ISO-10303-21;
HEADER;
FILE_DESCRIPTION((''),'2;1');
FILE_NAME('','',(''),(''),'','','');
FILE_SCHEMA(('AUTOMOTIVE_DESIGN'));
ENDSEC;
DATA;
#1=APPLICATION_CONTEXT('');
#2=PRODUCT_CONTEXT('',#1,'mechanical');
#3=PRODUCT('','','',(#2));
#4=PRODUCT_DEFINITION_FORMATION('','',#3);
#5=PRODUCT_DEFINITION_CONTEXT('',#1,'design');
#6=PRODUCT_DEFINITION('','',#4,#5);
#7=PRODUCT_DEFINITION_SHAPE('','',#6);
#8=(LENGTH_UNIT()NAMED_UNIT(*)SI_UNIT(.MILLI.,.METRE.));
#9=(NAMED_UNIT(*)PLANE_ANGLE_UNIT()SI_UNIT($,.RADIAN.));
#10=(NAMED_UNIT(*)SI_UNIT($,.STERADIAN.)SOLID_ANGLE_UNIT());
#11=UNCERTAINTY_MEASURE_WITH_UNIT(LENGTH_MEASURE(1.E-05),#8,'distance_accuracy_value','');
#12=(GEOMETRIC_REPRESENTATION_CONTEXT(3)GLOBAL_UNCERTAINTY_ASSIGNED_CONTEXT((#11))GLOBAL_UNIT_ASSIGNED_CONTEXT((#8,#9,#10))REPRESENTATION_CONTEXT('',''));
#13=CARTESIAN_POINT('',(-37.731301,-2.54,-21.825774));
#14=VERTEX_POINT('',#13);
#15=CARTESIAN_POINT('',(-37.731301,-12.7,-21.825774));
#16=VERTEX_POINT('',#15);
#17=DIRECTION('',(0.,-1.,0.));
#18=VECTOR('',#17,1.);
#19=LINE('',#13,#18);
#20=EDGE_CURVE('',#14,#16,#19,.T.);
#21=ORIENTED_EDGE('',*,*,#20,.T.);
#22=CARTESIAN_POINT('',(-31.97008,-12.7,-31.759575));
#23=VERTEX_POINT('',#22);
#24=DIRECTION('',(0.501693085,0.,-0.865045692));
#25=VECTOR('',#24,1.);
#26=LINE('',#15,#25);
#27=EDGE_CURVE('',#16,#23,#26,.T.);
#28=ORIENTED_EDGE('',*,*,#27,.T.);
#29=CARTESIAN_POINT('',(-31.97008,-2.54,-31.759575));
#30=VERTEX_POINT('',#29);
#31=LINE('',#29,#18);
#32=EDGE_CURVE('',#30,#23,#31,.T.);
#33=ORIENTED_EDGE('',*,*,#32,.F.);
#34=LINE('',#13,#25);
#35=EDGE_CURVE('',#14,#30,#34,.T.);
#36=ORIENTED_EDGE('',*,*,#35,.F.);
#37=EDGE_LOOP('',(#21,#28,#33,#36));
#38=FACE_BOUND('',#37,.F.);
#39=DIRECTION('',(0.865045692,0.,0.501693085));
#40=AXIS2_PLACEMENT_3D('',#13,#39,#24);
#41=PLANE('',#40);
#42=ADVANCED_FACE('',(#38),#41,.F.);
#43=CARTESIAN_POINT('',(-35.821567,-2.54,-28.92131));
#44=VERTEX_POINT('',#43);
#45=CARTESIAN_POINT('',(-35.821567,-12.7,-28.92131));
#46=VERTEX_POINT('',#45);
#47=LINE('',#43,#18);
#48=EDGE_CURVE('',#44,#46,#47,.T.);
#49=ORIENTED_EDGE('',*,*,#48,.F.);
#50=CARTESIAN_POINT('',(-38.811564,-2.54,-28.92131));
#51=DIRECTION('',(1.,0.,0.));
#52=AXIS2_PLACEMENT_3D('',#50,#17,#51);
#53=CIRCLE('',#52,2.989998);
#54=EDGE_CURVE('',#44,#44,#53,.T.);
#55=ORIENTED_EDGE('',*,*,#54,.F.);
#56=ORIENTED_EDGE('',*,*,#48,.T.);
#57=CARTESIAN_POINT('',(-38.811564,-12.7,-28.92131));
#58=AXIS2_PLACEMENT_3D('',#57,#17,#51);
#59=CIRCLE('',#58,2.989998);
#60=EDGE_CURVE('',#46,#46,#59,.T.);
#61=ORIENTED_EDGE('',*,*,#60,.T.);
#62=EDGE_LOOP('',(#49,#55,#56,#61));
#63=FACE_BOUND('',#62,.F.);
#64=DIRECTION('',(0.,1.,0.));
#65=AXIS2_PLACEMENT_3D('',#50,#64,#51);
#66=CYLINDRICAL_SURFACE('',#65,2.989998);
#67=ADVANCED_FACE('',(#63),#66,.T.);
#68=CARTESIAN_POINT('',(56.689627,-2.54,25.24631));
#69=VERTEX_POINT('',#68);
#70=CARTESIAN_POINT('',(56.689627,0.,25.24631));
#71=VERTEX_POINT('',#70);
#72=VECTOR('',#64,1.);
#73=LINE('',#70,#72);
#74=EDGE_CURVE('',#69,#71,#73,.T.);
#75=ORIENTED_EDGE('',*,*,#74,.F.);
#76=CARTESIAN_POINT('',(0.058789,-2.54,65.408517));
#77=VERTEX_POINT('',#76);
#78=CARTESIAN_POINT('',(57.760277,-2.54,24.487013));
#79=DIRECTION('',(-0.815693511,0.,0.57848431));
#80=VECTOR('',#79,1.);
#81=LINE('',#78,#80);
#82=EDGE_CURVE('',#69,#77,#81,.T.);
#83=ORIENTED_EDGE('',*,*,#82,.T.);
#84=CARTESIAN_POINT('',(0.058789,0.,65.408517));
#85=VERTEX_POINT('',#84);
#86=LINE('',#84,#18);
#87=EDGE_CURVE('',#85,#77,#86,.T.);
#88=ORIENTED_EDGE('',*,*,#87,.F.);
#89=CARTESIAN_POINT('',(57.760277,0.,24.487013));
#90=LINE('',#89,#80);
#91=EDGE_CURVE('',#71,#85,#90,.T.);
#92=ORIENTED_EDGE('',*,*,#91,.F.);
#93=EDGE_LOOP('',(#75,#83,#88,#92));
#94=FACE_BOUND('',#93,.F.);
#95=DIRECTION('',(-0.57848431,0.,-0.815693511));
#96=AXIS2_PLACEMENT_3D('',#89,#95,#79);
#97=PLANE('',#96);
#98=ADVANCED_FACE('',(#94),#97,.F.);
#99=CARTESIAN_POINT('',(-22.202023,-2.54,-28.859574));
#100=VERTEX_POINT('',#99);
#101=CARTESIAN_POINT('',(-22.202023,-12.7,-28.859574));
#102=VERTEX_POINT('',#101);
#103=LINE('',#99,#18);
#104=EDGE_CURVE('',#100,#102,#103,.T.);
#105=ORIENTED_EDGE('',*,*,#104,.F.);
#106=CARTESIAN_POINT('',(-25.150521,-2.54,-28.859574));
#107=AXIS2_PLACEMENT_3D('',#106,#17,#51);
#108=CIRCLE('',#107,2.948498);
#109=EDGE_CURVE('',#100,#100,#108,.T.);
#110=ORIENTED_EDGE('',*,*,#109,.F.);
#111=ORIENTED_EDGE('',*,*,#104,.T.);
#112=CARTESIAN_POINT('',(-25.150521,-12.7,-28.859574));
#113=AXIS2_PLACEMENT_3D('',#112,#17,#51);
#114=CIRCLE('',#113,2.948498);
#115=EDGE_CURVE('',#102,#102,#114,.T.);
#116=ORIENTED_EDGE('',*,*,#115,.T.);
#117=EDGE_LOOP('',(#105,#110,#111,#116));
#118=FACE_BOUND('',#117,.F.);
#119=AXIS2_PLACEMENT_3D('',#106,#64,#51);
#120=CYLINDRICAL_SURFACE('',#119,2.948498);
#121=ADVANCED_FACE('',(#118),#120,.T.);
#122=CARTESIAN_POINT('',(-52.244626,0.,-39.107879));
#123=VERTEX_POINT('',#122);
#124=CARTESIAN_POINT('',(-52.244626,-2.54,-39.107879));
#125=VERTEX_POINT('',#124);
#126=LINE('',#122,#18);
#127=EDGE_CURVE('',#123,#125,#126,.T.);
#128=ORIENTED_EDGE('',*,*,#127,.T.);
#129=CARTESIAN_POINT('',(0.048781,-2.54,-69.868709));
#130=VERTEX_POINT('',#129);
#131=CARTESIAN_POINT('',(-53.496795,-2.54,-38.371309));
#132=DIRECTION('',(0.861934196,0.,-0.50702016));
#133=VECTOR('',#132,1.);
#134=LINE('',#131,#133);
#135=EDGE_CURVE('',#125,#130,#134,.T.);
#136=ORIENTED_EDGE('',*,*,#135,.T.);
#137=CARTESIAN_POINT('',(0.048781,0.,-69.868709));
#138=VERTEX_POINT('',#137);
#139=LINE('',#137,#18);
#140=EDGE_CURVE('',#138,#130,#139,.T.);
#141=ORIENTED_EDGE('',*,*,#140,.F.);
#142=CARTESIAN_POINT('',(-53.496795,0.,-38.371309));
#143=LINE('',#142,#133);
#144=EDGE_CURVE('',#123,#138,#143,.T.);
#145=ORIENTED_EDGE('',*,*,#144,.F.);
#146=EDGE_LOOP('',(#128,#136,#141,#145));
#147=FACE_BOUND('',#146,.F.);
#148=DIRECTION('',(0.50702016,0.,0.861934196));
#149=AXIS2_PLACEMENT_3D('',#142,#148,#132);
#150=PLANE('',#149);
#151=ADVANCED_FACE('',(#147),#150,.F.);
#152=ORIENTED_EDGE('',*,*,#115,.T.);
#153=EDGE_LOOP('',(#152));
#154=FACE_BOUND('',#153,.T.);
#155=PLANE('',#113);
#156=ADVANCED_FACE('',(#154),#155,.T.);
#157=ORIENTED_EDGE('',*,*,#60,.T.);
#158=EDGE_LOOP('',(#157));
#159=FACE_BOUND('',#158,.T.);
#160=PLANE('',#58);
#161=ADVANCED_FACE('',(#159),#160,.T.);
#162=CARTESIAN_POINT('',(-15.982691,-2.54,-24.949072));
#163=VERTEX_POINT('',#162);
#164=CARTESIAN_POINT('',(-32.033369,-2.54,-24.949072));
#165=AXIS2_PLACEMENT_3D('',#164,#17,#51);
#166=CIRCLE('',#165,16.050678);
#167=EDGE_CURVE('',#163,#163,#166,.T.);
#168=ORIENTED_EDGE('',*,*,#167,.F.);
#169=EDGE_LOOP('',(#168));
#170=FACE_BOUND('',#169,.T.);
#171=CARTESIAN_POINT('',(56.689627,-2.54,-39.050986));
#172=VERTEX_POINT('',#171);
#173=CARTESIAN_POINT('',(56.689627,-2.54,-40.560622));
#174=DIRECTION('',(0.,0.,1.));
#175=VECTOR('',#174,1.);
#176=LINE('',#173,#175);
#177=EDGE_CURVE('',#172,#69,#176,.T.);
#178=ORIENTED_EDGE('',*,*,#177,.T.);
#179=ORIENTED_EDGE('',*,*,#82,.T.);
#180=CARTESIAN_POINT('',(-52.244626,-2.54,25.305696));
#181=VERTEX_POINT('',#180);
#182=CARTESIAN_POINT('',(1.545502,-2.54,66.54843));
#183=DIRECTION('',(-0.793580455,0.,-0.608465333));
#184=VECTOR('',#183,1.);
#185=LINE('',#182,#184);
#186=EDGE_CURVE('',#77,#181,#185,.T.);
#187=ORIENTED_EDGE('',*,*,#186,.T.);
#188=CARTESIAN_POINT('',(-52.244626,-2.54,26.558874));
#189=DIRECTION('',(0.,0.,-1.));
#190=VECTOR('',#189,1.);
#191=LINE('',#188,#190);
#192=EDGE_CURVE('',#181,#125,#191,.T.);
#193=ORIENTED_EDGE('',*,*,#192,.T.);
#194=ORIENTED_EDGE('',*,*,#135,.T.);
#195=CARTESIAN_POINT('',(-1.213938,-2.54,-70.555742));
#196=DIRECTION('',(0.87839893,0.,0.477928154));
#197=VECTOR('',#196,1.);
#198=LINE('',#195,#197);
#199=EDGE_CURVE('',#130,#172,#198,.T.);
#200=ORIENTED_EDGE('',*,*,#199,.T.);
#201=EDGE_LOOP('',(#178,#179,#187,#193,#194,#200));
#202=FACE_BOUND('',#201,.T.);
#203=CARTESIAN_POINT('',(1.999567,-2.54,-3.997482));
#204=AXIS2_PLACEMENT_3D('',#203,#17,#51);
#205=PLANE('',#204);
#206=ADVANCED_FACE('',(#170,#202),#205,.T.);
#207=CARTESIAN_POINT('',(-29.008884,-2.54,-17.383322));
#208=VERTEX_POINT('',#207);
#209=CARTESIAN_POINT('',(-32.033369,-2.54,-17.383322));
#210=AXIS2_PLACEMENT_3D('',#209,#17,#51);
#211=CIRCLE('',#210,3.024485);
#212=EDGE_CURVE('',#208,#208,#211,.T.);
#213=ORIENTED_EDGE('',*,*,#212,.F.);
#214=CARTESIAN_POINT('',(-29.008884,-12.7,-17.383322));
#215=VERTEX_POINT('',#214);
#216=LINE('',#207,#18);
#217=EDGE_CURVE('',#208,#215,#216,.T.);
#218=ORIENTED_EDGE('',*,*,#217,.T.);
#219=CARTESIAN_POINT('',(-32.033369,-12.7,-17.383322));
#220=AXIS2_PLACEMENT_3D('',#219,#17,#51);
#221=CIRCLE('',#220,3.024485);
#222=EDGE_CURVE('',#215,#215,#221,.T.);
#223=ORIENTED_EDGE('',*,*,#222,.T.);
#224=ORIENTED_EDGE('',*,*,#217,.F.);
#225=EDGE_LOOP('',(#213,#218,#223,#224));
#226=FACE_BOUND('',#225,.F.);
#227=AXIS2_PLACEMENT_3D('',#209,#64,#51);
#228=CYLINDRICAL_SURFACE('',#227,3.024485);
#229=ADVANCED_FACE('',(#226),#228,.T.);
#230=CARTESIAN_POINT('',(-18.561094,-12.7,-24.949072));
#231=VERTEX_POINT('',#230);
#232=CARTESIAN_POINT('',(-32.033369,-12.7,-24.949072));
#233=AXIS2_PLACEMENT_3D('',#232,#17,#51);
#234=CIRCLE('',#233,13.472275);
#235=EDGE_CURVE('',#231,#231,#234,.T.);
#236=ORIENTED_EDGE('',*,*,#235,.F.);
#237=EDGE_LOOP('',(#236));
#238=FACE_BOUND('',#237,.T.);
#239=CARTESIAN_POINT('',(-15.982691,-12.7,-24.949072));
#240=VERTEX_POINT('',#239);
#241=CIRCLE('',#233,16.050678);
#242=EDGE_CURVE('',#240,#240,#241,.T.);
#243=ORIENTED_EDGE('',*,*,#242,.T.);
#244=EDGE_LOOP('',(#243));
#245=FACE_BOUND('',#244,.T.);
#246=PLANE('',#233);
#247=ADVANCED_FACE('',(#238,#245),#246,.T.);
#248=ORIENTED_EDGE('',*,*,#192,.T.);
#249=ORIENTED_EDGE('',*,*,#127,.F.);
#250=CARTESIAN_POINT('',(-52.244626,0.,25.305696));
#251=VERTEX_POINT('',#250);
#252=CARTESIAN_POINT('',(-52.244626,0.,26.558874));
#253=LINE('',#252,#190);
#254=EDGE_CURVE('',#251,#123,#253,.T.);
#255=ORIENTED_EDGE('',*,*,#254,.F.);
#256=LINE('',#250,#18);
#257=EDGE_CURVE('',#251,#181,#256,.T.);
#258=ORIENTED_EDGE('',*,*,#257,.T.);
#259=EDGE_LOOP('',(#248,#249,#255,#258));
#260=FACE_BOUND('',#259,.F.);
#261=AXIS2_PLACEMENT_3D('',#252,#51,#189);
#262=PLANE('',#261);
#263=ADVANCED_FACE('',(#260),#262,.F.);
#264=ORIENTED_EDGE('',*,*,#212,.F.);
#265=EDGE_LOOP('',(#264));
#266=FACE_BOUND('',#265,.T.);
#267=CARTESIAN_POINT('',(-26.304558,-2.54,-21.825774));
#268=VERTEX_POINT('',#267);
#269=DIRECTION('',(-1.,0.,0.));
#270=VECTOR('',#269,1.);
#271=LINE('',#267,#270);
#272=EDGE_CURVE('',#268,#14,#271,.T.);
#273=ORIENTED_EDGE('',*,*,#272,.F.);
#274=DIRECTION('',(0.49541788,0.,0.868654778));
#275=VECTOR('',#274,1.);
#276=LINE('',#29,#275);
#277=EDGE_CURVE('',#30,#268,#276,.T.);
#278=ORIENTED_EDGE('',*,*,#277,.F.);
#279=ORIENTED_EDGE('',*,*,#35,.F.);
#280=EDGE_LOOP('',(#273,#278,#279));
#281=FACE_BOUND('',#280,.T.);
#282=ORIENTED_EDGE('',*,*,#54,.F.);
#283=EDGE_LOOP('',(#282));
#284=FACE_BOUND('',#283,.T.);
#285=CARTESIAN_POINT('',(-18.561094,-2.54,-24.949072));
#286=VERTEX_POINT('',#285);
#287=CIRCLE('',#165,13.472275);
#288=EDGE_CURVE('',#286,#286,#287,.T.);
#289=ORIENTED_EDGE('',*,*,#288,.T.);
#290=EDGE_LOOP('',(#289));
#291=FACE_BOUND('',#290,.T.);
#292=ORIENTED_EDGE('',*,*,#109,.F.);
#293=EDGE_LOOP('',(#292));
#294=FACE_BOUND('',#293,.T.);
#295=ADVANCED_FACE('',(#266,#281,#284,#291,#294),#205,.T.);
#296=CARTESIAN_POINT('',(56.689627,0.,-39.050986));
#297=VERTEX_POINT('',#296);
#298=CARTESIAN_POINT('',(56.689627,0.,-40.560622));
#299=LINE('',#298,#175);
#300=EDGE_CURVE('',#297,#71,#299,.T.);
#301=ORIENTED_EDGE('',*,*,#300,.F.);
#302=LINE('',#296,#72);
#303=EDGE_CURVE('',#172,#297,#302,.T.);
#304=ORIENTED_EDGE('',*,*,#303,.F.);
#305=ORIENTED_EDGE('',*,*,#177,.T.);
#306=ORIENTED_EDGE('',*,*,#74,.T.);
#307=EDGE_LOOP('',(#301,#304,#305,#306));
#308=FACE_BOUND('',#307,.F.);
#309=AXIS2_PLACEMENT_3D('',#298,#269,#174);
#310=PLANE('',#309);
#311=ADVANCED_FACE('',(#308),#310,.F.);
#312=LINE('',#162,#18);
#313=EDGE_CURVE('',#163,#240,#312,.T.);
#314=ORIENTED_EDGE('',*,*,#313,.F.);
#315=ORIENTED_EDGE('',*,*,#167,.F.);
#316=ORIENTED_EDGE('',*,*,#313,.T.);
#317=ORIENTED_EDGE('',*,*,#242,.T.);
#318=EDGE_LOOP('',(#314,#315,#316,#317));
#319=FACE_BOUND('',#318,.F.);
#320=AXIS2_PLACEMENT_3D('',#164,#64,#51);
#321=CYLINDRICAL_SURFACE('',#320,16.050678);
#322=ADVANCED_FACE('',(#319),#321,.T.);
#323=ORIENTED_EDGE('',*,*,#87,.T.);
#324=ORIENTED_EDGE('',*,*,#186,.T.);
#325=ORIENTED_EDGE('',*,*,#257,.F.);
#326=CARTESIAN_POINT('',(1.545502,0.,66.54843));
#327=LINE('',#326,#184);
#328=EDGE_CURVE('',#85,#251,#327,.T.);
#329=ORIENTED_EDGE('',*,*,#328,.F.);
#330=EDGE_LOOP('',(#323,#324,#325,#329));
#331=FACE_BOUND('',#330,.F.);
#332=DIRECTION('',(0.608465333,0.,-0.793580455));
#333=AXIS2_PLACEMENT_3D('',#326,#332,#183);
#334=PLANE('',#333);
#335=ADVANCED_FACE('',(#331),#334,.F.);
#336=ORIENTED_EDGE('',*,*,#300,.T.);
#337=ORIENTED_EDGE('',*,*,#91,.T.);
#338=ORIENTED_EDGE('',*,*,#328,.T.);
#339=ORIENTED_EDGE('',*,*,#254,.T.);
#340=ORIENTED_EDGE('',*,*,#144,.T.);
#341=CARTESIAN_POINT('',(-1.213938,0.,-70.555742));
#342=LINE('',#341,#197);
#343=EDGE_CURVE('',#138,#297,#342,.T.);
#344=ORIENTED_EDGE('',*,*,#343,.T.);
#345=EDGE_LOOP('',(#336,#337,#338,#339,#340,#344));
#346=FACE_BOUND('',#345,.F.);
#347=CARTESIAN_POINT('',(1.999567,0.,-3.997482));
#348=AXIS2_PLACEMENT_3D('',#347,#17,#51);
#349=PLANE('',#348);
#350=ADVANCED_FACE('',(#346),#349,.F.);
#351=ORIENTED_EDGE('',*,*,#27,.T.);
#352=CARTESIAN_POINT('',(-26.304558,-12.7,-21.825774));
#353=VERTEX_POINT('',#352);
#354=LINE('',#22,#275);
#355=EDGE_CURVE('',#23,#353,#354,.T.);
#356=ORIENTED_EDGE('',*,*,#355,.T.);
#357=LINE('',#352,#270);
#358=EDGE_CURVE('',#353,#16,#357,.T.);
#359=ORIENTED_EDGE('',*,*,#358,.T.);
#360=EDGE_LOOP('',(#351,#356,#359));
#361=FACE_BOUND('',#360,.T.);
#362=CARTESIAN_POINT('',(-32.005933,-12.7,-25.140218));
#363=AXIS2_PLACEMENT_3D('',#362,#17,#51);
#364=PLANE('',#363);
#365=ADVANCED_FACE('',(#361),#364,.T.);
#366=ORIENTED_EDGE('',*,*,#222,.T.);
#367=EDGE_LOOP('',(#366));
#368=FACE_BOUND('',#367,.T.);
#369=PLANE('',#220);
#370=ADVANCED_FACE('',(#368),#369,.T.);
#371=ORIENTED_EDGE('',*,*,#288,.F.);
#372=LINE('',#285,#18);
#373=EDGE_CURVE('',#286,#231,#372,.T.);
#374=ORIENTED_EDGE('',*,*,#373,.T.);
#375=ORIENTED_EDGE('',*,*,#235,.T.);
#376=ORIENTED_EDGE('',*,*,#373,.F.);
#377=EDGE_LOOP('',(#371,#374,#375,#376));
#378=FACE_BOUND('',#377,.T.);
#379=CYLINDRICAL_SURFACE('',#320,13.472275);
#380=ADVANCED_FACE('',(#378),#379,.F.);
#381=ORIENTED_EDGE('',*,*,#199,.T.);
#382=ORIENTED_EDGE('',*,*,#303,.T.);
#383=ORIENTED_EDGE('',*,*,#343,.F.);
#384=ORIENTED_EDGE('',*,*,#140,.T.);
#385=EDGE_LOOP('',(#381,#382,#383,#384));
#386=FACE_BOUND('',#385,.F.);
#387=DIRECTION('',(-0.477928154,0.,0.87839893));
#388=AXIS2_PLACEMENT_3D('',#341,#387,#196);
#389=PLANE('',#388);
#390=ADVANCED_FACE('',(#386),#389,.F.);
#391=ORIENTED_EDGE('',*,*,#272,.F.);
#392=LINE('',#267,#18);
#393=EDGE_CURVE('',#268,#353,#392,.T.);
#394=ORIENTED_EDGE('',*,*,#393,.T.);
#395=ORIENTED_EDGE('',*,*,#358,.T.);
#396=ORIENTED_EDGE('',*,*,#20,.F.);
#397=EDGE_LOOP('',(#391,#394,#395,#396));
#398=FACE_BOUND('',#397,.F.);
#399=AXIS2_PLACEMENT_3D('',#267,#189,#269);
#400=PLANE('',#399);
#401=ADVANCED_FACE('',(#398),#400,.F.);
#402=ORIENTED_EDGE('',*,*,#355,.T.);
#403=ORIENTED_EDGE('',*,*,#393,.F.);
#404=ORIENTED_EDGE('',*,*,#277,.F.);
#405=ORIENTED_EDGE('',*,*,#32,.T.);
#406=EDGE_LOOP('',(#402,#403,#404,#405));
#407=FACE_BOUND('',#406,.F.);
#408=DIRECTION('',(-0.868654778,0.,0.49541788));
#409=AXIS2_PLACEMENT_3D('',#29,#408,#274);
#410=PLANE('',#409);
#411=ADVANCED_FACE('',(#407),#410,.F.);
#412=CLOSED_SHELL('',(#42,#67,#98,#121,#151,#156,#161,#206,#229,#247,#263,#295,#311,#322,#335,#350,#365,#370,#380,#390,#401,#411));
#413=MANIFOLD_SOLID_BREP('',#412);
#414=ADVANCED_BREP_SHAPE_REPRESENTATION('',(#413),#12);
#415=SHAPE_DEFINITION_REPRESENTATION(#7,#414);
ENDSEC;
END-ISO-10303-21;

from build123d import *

# Parameters (mm, degrees)
F1_DEPTH  = 12.7
F2_DEPTH  = 2.54
F3_DEPTH  = 7.62
F4_DEPTH  = 2.54
F5_DEPTH  = 2.54
F6_DEPTH  = 2.54
F7_DEPTH  = 2.54
F8_DEPTH  = 2.54
F9_DEPTH  = 2.54
F10_R     = 16.050678096
F10_R_2   = 13.472274859
F10_R_3   = 3.0244847624
F10_R_4   = 2.9484981223
F10_R_5   = 2.9899979454
F11_DEPTH = 10.16


with BuildPart() as f1:
    # F0 (on Front) → F1 (new body)
    with BuildSketch(Plane.XZ):
        Polygon((59.2296272516, 26.558874175), (0, 68.5641244054), (-54.7846257687, 26.558874175), (-54.7846257687, -40.5606217682), (0, -72.7868750691), (59.2296272516, -40.5606217682), align=None)
    extrude(amount=F1_DEPTH)

    # F2 (cut): a face of the model
    f2_faces = [f1.faces().sort_by_distance(p)[0] for p in [
        (1.9587071028, -12.7, -4.2659517496),
    ]]
    extrude(f2_faces, amount=-F2_DEPTH, mode=Mode.SUBTRACT)

    # F3 (cut): a face of the model
    f3_faces = [f1.faces().sort_by_distance(p)[0] for p in [
        (1.9587071028, -10.16, -4.2659517496),
    ]]
    extrude(f3_faces, amount=-F3_DEPTH, mode=Mode.SUBTRACT)

    # F4 (cut): a face of the model
    f4_faces = [f1.faces().sort_by_distance(p)[0] for p in [
        (29.6148136258, -1.27, 47.5614992902),
    ]]
    extrude(f4_faces, amount=-F4_DEPTH, mode=Mode.SUBTRACT)

    # F5 (cut): a face of the model
    f5_faces = [f1.faces().sort_by_distance(p)[0] for p in [
        (-27.3923128843, -1.27, 47.5614992902),
    ]]
    extrude(f5_faces, amount=-F5_DEPTH, mode=Mode.SUBTRACT)

    # F6 (cut): a face of the model
    f6_faces = [f1.faces().sort_by_distance(p)[0] for p in [
        (59.2296272516, -1.27, -7.0008737966),
    ]]
    extrude(f6_faces, amount=-F6_DEPTH, mode=Mode.SUBTRACT)

    # F7 (cut): a face of the model
    f7_faces = [f1.faces().sort_by_distance(p)[0] for p in [
        (-54.7846257687, -1.27, -7.0008737966),
    ]]
    extrude(f7_faces, amount=-F7_DEPTH, mode=Mode.SUBTRACT)

    # F8 (cut): a face of the model
    f8_faces = [f1.faces().sort_by_distance(p)[0] for p in [
        (-27.3923128843, -1.27, -56.6737484187),
    ]]
    extrude(f8_faces, amount=-F8_DEPTH, mode=Mode.SUBTRACT)

    # F9 (cut): a face of the model
    f9_faces = [f1.faces().sort_by_distance(p)[0] for p in [
        (29.6148136258, -1.27, -56.6737484187),
    ]]
    extrude(f9_faces, amount=-F9_DEPTH, mode=Mode.SUBTRACT)

    # F10 (on face) → F11 (join)
    with BuildSketch(Plane.XZ.offset(2.54)):
        with Locations((-32.0333689451, -24.9490719289)):
            Circle(F10_R)
        with Locations((-32.0333689451, -24.9490719289)):
            Circle(F10_R_2, mode=Mode.SUBTRACT)
        with Locations((-32.0333689451, -17.3833221197)):
            Circle(F10_R_3)
        with Locations((-25.150520727, -28.8595743477)):
            Circle(F10_R_4)
        with Locations((-38.8115644455, -28.9213098586)):
            Circle(F10_R_5)
        Polygon((-26.3045579195, -21.8257736415), (-37.7313010395, -21.8257736415), (-31.9700799882, -31.7595750093), align=None)
    extrude(amount=F11_DEPTH)


solid = f1.part
